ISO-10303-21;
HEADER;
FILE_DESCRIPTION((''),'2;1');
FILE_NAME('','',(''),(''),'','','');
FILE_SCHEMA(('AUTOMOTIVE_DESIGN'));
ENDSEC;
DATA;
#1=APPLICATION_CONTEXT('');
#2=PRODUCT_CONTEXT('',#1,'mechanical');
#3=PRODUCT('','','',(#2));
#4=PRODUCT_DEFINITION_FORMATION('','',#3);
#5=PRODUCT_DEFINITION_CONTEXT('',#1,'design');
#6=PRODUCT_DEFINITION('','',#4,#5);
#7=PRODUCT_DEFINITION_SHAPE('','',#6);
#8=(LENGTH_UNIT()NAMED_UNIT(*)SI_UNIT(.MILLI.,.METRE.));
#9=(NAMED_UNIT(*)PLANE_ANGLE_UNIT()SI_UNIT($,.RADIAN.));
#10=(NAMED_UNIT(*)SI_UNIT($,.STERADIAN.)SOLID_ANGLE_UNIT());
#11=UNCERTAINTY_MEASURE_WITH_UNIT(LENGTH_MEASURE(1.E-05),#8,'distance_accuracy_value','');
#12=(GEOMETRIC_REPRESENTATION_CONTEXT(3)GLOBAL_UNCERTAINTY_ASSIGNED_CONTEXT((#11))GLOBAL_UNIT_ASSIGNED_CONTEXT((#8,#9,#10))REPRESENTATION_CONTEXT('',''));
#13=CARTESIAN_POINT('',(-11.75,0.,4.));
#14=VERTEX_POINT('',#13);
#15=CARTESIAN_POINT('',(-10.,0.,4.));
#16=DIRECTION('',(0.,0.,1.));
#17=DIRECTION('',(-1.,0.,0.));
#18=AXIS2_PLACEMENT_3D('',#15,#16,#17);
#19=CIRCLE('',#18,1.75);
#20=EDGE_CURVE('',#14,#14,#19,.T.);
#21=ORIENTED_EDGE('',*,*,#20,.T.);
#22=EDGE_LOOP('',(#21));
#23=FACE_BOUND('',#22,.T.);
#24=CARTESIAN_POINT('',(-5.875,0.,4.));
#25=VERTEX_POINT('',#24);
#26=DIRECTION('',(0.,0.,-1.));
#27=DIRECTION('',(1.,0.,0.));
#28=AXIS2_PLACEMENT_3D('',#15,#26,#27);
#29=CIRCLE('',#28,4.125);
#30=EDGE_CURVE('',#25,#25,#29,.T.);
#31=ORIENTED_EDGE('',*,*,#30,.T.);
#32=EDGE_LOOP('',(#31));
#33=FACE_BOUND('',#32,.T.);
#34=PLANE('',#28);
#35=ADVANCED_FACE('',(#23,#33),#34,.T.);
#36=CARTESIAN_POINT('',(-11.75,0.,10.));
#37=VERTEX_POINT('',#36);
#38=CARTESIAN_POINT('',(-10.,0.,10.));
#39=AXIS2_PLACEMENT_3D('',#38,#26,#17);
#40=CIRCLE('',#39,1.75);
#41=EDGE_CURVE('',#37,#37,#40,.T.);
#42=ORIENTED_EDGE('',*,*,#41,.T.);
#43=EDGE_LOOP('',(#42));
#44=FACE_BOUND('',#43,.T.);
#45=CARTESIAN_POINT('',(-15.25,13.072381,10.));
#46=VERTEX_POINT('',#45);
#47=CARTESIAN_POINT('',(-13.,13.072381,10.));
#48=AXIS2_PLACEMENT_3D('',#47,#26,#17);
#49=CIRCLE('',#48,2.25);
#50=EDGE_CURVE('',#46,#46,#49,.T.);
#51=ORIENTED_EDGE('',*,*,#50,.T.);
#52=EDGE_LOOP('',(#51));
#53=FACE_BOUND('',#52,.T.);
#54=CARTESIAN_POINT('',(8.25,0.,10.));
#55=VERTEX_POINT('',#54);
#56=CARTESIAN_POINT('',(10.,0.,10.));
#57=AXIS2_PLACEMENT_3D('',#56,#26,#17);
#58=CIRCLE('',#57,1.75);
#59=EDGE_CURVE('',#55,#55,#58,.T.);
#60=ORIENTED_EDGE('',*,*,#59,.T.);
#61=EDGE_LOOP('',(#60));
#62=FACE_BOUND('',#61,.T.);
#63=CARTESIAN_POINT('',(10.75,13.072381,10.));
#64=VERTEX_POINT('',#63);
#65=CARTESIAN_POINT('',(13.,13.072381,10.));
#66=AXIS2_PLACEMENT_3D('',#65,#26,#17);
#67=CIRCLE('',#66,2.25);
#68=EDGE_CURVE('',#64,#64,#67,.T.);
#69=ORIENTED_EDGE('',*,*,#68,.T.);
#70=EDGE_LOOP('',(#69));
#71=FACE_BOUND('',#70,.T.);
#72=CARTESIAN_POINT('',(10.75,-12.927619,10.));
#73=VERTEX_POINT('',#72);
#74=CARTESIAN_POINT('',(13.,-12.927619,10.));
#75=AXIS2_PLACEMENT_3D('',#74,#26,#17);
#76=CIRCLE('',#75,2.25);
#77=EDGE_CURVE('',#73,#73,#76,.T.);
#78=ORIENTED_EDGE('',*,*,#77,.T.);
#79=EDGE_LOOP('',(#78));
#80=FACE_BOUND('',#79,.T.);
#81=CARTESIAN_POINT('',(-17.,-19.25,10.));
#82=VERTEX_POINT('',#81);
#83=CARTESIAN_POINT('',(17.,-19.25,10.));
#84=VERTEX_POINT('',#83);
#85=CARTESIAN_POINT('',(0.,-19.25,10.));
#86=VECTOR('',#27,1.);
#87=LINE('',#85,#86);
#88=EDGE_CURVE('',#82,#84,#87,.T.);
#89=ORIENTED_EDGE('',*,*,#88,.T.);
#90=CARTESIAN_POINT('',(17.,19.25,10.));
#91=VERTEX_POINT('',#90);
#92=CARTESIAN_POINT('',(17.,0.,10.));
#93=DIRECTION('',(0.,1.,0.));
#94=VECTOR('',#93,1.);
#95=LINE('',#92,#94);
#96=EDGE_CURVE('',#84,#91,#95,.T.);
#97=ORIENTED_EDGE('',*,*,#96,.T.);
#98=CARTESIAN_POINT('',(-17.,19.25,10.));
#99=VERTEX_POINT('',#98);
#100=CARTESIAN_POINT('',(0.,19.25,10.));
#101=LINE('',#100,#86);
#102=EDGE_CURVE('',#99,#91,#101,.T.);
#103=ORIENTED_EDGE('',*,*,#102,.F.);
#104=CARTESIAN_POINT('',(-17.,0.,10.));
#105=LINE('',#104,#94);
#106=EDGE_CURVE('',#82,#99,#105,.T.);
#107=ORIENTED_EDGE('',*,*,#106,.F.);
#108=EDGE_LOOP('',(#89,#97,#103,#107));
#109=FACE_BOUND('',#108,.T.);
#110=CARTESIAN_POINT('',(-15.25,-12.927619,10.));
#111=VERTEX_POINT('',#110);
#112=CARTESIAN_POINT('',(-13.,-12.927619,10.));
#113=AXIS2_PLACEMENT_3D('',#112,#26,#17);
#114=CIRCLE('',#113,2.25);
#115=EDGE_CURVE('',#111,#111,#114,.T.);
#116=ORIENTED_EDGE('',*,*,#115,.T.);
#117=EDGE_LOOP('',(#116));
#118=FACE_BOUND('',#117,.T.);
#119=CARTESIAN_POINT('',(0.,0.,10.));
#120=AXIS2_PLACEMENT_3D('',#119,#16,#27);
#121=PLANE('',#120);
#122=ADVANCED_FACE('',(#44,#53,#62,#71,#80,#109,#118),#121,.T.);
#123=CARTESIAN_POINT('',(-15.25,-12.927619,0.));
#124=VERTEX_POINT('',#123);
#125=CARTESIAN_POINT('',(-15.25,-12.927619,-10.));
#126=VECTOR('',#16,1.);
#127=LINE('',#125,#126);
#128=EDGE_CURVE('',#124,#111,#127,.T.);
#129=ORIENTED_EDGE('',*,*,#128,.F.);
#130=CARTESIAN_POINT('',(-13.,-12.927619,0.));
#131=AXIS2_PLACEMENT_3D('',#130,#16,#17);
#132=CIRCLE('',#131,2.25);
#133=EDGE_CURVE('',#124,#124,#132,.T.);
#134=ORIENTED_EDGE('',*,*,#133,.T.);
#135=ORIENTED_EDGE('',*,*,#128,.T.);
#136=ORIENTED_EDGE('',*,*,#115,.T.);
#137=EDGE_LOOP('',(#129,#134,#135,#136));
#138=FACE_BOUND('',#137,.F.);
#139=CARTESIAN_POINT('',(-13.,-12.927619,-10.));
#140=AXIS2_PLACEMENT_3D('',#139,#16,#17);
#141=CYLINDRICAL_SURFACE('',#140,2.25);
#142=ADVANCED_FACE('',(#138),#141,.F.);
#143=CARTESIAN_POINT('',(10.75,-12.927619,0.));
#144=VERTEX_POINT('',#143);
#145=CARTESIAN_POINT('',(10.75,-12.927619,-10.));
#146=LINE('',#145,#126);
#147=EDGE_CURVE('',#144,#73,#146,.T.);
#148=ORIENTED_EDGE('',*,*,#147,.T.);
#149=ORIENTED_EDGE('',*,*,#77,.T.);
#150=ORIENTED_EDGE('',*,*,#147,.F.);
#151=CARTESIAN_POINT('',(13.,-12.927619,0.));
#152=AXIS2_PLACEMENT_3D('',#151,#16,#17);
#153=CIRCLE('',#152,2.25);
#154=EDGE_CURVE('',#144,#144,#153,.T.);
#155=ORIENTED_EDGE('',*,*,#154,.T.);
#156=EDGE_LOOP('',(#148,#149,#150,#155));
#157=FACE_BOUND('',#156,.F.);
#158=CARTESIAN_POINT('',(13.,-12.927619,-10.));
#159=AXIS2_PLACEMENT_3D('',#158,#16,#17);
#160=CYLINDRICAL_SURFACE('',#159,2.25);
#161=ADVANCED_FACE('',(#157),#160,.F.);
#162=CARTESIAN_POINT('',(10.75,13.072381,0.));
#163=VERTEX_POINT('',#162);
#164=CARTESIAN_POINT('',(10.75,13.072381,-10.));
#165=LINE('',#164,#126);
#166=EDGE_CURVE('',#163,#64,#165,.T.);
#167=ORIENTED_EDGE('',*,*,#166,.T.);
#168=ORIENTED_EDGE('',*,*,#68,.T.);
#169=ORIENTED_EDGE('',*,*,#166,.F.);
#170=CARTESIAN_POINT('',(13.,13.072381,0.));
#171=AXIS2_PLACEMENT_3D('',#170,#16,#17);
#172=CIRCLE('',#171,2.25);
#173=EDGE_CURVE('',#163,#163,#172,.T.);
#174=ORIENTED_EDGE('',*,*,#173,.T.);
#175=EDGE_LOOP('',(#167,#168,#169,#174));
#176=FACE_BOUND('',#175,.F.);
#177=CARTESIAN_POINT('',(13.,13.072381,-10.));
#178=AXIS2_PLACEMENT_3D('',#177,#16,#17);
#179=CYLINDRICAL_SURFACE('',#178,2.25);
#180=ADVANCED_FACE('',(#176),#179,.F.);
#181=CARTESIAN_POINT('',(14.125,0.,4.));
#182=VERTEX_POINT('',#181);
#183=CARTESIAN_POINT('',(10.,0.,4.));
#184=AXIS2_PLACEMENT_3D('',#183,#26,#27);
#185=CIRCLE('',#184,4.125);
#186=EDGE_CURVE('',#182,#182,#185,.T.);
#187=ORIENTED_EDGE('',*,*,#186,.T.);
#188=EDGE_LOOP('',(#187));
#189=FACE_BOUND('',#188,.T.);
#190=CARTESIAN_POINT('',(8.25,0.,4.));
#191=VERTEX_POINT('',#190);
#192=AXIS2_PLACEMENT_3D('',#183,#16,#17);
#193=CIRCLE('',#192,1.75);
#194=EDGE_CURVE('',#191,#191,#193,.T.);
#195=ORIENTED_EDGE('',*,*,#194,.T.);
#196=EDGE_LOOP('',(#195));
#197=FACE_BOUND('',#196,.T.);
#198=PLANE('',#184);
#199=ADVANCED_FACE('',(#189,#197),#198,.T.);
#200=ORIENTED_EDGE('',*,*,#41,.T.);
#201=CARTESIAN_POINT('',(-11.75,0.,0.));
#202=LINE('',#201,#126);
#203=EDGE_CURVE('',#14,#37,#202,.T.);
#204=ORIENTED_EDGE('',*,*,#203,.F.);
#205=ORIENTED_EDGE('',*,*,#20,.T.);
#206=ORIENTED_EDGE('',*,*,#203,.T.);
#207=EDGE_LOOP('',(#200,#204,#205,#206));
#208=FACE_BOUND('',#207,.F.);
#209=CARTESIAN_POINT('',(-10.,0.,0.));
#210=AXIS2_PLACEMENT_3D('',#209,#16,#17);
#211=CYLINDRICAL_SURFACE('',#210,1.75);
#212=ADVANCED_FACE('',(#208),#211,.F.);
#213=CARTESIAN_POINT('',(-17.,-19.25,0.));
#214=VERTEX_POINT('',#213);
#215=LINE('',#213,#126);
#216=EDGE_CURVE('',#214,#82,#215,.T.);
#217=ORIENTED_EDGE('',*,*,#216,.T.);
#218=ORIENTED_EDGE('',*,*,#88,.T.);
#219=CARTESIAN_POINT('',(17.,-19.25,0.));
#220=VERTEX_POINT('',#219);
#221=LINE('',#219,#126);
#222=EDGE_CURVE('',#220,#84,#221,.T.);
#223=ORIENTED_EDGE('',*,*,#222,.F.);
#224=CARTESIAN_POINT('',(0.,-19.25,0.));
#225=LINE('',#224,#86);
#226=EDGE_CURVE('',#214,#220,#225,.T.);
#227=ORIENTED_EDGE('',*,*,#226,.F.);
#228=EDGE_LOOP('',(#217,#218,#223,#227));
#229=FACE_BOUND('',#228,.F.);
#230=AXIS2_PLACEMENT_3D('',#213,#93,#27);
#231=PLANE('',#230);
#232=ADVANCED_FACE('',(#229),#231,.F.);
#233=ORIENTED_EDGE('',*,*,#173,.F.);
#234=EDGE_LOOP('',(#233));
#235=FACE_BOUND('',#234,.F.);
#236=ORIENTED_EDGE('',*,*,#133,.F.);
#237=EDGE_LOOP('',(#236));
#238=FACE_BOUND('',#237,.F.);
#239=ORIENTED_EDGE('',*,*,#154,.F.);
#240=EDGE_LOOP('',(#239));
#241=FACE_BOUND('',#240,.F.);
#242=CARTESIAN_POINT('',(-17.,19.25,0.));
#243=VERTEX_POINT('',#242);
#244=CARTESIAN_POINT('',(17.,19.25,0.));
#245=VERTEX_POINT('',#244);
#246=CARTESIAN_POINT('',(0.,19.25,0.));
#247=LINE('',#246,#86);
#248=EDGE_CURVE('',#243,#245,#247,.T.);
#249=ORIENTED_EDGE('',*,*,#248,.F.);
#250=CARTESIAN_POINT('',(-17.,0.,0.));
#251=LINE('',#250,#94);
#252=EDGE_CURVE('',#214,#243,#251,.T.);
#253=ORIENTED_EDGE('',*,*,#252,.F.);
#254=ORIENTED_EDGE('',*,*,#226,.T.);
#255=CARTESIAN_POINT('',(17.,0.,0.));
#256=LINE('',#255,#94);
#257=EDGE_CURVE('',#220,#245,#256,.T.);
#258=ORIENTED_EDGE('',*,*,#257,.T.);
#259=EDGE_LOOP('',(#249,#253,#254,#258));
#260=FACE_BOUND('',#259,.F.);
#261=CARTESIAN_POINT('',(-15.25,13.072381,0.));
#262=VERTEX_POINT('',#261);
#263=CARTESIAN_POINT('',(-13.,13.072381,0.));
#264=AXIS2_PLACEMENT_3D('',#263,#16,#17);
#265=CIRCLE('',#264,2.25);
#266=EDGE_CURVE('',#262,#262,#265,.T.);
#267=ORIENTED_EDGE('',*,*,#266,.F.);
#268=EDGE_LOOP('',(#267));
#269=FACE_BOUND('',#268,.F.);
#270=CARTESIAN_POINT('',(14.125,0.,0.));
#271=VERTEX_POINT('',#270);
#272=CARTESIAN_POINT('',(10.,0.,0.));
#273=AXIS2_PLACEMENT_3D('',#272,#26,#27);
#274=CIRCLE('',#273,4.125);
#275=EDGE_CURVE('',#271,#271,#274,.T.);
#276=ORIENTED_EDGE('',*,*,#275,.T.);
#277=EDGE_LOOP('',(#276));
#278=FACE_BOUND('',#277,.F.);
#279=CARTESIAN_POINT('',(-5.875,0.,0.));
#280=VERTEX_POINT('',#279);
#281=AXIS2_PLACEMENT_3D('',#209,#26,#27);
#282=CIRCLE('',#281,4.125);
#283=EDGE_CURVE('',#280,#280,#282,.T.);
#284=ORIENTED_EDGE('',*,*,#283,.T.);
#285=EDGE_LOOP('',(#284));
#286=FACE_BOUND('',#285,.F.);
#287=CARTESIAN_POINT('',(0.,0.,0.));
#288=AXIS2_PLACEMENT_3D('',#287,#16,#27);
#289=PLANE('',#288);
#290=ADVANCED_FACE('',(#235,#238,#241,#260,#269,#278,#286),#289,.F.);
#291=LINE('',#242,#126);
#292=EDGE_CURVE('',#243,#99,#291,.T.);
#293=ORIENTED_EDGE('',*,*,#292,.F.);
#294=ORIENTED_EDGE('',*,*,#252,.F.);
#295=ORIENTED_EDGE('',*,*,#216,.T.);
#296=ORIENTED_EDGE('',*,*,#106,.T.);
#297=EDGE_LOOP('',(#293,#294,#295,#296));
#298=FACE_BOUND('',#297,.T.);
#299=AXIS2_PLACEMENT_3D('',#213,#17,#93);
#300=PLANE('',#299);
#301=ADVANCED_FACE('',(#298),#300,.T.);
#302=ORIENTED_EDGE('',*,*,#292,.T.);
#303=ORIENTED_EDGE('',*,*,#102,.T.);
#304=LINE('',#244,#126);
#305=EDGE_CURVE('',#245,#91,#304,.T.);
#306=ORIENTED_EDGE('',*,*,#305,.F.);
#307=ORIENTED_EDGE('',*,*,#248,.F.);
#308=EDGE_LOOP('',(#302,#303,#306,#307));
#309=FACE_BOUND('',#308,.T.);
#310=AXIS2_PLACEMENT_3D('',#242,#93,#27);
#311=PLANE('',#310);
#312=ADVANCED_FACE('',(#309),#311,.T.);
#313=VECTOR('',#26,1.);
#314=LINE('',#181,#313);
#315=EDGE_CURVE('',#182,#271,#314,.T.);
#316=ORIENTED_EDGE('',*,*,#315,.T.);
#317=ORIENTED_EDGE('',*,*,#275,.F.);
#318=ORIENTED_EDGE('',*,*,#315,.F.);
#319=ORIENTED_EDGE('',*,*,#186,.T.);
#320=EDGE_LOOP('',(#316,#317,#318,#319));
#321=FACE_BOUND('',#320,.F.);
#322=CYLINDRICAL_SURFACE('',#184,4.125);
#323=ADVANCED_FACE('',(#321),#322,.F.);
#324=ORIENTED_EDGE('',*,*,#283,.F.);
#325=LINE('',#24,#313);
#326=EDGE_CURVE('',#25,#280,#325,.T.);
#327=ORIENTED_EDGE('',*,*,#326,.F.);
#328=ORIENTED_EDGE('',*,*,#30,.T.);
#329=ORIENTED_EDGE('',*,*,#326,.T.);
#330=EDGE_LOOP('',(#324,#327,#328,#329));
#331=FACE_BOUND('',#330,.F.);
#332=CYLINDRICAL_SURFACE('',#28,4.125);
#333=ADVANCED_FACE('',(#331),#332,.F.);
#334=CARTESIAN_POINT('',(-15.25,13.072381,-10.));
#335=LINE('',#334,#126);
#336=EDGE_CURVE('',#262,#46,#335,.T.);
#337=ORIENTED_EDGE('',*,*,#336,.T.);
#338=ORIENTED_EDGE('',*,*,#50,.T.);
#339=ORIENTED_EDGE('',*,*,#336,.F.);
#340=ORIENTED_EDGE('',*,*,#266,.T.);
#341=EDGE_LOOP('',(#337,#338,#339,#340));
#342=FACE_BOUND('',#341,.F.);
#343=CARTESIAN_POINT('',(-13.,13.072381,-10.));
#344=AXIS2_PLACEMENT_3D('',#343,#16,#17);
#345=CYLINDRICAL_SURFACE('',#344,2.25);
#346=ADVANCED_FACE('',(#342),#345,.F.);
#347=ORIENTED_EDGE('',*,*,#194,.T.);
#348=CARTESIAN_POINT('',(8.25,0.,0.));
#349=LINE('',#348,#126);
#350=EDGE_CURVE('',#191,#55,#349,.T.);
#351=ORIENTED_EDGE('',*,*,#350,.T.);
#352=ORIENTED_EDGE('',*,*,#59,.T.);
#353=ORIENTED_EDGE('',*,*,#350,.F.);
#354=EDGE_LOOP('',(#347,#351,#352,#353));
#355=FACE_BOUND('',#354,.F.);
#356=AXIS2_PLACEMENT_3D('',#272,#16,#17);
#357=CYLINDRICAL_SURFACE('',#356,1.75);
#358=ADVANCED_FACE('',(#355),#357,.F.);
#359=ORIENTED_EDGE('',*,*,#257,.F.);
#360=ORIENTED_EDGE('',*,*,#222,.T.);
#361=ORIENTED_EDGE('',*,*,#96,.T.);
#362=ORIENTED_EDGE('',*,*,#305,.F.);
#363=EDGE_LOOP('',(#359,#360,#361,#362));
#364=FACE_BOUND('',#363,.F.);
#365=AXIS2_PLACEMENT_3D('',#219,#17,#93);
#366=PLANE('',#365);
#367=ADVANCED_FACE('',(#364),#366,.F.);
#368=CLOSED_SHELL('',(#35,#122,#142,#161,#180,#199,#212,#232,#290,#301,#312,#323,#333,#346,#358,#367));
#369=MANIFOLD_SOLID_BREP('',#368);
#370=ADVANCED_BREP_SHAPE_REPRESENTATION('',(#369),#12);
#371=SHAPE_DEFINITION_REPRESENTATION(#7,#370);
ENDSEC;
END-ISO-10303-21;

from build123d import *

# Parameters (mm, degrees)
F0_W           = 34
F0_H           = 38.5
F1_DEPTH       = 10
F3_D           = 4.5
F3_DEPTH       = 10
F3_TIP         = 1.3519363928
F5_D           = 3.5
F5_DEPTH       = 10
F5_CBORE_D     = 8.25
F5_CBORE_DEPTH = 4
F5_TIP         = 1.0515060833


with BuildPart() as f1:
    # F0 (on Top) → F1 (new body)
    with BuildSketch(Plane.XY):
        Rectangle(F0_W, F0_H)
    extrude(amount=F1_DEPTH)

    # F3
    with Locations(Plane(origin=(0, 0, 0), x_dir=(1, 0, 0), z_dir=(0, 0, -1))):
        with Locations((-13, 12.9276185408), (13, 12.9276185408), (-13, -13.0723814592), (13, -13.0723814592)):
            Hole(F3_D / 2, depth=F3_DEPTH)
            with Locations((0, 0, -(F3_DEPTH + F3_TIP / 2))):  # 118° drill point
                Cone(0, F3_D / 2, F3_TIP, mode=Mode.SUBTRACT)

    # F5
    with Locations(Plane(origin=(0, 0, 0), x_dir=(1, 0, 0), z_dir=(0, 0, -1))):
        with Locations((10, 0), (-10, 0)):
            CounterBoreHole(F5_D / 2, F5_CBORE_D / 2, F5_CBORE_DEPTH, depth=F5_DEPTH)
            with Locations((0, 0, -(F5_DEPTH + F5_TIP / 2))):  # 118° drill point
                Cone(0, F5_D / 2, F5_TIP, mode=Mode.SUBTRACT)


solid = f1.part
